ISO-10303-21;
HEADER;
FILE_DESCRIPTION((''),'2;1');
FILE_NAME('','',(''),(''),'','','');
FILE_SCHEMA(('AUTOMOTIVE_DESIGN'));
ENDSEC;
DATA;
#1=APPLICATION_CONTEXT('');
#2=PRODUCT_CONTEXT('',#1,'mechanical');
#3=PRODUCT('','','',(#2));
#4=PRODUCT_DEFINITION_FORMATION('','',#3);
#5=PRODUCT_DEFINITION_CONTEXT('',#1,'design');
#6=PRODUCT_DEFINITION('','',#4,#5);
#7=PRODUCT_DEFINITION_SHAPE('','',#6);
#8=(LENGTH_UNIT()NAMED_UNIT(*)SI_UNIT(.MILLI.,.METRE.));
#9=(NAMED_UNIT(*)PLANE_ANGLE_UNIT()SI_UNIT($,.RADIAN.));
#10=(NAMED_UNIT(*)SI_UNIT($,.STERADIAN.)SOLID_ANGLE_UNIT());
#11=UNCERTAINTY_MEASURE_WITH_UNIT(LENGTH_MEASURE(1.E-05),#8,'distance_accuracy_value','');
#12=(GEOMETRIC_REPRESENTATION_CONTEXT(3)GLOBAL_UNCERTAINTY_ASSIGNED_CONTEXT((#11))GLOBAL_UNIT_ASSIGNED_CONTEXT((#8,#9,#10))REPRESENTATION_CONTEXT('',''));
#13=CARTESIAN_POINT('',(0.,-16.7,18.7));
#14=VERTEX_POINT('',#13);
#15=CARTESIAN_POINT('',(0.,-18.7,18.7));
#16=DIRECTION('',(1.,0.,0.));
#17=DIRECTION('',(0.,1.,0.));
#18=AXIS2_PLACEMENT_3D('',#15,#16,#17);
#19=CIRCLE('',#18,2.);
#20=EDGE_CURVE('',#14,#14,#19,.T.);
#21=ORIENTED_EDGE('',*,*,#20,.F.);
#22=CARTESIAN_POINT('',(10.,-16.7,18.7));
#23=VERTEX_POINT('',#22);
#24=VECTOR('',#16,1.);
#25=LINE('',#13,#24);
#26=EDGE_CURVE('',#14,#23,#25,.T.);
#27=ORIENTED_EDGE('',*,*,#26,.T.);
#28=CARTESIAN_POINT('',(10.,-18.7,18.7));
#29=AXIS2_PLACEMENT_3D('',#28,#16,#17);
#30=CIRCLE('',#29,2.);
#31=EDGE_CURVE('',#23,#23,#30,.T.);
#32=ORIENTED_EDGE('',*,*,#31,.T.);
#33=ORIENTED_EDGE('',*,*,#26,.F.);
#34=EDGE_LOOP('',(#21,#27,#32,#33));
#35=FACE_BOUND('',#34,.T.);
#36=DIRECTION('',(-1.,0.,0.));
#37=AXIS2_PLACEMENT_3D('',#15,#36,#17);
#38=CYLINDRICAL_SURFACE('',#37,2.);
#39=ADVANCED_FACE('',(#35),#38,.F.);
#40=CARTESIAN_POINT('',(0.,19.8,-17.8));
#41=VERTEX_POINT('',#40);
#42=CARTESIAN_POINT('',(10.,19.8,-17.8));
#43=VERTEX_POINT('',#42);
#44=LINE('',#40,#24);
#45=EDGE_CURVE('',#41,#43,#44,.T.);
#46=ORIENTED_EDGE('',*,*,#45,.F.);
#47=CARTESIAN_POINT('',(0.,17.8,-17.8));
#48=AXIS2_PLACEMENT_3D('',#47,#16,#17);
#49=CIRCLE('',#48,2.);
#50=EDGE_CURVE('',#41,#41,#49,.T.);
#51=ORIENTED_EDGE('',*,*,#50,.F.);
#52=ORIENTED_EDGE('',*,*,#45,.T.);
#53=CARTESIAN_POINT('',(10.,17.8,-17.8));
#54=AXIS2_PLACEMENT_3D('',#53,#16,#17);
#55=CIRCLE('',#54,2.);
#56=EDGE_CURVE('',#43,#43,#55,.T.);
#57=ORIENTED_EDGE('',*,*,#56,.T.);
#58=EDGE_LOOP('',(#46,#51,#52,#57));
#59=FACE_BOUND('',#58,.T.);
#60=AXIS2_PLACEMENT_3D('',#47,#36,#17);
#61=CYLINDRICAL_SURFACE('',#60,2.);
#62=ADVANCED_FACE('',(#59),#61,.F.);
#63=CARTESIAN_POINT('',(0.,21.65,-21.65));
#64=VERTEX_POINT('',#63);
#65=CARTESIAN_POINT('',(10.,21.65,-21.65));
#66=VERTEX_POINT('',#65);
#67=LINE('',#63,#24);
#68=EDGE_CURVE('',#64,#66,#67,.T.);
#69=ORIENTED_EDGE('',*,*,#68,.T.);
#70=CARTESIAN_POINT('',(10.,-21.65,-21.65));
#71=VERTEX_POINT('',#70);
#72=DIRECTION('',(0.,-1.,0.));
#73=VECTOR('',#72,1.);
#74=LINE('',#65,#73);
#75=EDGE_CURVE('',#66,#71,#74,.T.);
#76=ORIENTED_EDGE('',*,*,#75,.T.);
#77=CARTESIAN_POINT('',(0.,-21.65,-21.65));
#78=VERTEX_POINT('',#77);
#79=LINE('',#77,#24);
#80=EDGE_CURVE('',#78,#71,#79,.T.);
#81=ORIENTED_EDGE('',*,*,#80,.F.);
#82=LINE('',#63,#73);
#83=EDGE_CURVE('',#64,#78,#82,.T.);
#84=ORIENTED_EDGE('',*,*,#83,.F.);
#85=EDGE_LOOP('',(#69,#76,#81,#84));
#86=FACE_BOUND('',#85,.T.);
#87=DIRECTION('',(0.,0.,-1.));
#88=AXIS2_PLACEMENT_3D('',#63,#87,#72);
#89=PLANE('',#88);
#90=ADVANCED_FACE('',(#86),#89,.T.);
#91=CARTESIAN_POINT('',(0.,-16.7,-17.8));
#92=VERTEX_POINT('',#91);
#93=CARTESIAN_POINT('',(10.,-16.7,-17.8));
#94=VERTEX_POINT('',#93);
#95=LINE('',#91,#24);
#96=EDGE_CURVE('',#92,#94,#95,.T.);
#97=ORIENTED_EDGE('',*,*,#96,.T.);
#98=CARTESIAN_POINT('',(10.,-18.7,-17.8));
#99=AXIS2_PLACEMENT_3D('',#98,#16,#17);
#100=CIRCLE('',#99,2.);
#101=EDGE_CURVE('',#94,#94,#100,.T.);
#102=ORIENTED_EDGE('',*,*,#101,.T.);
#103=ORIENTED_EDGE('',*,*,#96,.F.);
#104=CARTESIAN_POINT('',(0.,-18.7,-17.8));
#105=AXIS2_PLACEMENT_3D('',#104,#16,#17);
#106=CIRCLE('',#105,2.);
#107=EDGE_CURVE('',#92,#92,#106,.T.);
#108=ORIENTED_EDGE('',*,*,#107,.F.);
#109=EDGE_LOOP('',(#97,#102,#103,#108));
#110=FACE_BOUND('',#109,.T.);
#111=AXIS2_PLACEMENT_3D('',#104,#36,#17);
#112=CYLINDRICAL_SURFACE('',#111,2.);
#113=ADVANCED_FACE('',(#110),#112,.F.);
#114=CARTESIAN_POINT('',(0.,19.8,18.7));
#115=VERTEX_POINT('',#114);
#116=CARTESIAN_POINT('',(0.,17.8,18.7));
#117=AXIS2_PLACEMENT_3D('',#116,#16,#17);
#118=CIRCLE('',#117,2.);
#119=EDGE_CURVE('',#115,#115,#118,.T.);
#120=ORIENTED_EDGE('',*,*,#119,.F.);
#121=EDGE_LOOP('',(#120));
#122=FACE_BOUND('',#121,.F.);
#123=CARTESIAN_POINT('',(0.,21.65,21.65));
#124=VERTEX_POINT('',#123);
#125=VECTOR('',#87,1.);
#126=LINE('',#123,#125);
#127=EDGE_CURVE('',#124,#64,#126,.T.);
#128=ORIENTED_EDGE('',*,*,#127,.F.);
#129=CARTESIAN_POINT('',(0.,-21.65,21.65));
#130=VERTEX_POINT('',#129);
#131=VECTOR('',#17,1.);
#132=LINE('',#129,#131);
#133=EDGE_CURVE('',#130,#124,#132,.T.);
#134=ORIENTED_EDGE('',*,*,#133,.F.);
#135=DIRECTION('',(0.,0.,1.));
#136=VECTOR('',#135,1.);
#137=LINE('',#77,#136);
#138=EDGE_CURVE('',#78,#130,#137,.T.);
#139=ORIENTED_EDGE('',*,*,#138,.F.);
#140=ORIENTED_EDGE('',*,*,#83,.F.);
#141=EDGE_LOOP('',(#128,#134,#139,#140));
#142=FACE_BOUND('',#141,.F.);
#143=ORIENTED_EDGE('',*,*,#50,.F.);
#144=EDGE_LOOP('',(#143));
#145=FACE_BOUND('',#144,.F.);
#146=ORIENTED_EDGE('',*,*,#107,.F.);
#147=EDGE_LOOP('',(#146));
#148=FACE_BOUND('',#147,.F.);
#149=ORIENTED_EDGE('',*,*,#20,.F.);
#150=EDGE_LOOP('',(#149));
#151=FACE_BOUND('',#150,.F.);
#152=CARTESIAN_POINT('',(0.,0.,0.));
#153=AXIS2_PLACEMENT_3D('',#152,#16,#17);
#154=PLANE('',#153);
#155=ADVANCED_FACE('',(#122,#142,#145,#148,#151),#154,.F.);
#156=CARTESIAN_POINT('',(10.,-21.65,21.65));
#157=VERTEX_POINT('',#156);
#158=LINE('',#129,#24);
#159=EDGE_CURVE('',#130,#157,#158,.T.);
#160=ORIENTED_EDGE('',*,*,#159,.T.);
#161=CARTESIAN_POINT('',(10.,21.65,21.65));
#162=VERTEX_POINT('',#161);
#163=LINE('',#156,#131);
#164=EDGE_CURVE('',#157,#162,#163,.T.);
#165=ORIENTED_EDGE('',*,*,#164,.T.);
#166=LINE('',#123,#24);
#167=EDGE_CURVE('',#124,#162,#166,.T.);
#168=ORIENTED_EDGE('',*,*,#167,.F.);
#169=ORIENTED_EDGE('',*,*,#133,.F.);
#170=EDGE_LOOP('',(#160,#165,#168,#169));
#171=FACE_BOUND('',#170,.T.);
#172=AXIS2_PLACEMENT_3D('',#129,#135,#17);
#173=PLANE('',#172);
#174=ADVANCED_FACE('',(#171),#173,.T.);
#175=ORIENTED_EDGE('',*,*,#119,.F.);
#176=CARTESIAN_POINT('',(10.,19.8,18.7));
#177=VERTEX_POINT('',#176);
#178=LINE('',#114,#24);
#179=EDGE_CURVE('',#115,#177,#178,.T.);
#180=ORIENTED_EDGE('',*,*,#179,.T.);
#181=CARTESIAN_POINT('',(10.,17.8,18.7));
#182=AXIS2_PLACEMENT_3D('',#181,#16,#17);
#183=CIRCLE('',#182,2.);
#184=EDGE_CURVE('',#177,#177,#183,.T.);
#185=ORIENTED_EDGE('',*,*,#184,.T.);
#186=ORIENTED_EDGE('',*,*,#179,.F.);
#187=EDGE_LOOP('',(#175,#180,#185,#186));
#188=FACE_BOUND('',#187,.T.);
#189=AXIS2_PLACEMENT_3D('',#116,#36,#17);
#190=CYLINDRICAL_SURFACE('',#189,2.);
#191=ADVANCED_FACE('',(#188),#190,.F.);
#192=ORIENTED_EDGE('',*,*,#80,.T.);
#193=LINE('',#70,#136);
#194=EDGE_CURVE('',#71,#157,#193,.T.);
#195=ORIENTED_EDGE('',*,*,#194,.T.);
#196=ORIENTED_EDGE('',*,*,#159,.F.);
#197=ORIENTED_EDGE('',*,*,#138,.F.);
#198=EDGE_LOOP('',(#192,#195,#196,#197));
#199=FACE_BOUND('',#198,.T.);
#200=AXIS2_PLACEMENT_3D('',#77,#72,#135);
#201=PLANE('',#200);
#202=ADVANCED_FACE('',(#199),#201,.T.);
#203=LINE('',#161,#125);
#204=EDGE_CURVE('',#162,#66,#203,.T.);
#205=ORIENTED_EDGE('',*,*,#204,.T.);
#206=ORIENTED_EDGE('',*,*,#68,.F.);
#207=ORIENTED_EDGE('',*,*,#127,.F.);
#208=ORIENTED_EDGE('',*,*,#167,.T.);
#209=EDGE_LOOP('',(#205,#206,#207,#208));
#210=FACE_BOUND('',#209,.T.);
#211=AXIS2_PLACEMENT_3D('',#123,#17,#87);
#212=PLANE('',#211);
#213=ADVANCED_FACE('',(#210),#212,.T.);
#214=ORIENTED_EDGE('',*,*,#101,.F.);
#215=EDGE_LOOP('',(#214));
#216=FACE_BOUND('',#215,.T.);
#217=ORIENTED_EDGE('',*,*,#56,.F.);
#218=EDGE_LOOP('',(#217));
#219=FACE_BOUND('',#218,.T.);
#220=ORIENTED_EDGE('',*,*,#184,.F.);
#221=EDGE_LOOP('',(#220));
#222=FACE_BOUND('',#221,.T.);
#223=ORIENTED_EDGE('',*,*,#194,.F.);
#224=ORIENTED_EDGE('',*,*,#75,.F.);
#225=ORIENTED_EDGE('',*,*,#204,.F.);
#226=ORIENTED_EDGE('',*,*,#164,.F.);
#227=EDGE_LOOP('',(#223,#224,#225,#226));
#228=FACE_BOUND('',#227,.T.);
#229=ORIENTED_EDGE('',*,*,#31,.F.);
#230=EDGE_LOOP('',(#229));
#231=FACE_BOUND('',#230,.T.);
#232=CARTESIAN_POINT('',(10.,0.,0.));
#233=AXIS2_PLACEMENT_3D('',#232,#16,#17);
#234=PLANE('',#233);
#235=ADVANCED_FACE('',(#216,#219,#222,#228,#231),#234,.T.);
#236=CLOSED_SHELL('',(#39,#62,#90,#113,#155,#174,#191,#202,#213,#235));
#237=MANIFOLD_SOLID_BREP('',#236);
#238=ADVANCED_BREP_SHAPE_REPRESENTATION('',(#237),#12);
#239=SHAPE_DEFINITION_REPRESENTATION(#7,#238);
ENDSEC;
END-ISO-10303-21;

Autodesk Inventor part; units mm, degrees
ref_plane "YZ Plane" through (0, 0, 0) normal (1, 0, 0) x (0, 1, 0)
ref_plane "XZ Plane" through (0, 0, 0) normal (0, 1, 0) x (-1, 0, 0)
ref_plane "XY Plane" through (0, 0, 0) normal (0, 0, 1) x (1, 0, 0)
sketch "스케치1" plane through (0, 0, 0) normal (1, 0, 0) x (0, 1, 0)
  line L0 (-21.65, 21.65) -> (21.65, 21.65)
  line L1 (21.65, 21.65) -> (21.65, -21.65)
  line L2 (21.65, -21.65) -> (-21.65, -21.65)
  line L3 (-21.65, -21.65) -> (-21.65, 21.65)
  line L4 (-21.65, 21.65) -> (21.65, -21.65) construction
  line L5 (21.65, 21.65) -> (-21.65, -21.65) construction
  circle A0 centre (17.8, -17.8) radius 2
  line L6 (0, 0) -> (21.65, 0) construction
  line L7 (0, -21.65) -> (0, 0) construction
  circle A1 centre (17.8, 18.7) radius 2
  circle A2 centre (-18.7, -17.8) radius 2
  circle A3 centre (-18.7, 18.7) radius 2
  dimension "d0" = 43.3
  dimension "d1" = 43.3
  dimension "d4" = 4
  dimension "d5" = 17.8
  dimension "d8" = 36.5
  dimension "d11" = 36.5
extrude "돌출1" add sketch "스케치1" along normal blind 10
properties part number "L298N_base"
